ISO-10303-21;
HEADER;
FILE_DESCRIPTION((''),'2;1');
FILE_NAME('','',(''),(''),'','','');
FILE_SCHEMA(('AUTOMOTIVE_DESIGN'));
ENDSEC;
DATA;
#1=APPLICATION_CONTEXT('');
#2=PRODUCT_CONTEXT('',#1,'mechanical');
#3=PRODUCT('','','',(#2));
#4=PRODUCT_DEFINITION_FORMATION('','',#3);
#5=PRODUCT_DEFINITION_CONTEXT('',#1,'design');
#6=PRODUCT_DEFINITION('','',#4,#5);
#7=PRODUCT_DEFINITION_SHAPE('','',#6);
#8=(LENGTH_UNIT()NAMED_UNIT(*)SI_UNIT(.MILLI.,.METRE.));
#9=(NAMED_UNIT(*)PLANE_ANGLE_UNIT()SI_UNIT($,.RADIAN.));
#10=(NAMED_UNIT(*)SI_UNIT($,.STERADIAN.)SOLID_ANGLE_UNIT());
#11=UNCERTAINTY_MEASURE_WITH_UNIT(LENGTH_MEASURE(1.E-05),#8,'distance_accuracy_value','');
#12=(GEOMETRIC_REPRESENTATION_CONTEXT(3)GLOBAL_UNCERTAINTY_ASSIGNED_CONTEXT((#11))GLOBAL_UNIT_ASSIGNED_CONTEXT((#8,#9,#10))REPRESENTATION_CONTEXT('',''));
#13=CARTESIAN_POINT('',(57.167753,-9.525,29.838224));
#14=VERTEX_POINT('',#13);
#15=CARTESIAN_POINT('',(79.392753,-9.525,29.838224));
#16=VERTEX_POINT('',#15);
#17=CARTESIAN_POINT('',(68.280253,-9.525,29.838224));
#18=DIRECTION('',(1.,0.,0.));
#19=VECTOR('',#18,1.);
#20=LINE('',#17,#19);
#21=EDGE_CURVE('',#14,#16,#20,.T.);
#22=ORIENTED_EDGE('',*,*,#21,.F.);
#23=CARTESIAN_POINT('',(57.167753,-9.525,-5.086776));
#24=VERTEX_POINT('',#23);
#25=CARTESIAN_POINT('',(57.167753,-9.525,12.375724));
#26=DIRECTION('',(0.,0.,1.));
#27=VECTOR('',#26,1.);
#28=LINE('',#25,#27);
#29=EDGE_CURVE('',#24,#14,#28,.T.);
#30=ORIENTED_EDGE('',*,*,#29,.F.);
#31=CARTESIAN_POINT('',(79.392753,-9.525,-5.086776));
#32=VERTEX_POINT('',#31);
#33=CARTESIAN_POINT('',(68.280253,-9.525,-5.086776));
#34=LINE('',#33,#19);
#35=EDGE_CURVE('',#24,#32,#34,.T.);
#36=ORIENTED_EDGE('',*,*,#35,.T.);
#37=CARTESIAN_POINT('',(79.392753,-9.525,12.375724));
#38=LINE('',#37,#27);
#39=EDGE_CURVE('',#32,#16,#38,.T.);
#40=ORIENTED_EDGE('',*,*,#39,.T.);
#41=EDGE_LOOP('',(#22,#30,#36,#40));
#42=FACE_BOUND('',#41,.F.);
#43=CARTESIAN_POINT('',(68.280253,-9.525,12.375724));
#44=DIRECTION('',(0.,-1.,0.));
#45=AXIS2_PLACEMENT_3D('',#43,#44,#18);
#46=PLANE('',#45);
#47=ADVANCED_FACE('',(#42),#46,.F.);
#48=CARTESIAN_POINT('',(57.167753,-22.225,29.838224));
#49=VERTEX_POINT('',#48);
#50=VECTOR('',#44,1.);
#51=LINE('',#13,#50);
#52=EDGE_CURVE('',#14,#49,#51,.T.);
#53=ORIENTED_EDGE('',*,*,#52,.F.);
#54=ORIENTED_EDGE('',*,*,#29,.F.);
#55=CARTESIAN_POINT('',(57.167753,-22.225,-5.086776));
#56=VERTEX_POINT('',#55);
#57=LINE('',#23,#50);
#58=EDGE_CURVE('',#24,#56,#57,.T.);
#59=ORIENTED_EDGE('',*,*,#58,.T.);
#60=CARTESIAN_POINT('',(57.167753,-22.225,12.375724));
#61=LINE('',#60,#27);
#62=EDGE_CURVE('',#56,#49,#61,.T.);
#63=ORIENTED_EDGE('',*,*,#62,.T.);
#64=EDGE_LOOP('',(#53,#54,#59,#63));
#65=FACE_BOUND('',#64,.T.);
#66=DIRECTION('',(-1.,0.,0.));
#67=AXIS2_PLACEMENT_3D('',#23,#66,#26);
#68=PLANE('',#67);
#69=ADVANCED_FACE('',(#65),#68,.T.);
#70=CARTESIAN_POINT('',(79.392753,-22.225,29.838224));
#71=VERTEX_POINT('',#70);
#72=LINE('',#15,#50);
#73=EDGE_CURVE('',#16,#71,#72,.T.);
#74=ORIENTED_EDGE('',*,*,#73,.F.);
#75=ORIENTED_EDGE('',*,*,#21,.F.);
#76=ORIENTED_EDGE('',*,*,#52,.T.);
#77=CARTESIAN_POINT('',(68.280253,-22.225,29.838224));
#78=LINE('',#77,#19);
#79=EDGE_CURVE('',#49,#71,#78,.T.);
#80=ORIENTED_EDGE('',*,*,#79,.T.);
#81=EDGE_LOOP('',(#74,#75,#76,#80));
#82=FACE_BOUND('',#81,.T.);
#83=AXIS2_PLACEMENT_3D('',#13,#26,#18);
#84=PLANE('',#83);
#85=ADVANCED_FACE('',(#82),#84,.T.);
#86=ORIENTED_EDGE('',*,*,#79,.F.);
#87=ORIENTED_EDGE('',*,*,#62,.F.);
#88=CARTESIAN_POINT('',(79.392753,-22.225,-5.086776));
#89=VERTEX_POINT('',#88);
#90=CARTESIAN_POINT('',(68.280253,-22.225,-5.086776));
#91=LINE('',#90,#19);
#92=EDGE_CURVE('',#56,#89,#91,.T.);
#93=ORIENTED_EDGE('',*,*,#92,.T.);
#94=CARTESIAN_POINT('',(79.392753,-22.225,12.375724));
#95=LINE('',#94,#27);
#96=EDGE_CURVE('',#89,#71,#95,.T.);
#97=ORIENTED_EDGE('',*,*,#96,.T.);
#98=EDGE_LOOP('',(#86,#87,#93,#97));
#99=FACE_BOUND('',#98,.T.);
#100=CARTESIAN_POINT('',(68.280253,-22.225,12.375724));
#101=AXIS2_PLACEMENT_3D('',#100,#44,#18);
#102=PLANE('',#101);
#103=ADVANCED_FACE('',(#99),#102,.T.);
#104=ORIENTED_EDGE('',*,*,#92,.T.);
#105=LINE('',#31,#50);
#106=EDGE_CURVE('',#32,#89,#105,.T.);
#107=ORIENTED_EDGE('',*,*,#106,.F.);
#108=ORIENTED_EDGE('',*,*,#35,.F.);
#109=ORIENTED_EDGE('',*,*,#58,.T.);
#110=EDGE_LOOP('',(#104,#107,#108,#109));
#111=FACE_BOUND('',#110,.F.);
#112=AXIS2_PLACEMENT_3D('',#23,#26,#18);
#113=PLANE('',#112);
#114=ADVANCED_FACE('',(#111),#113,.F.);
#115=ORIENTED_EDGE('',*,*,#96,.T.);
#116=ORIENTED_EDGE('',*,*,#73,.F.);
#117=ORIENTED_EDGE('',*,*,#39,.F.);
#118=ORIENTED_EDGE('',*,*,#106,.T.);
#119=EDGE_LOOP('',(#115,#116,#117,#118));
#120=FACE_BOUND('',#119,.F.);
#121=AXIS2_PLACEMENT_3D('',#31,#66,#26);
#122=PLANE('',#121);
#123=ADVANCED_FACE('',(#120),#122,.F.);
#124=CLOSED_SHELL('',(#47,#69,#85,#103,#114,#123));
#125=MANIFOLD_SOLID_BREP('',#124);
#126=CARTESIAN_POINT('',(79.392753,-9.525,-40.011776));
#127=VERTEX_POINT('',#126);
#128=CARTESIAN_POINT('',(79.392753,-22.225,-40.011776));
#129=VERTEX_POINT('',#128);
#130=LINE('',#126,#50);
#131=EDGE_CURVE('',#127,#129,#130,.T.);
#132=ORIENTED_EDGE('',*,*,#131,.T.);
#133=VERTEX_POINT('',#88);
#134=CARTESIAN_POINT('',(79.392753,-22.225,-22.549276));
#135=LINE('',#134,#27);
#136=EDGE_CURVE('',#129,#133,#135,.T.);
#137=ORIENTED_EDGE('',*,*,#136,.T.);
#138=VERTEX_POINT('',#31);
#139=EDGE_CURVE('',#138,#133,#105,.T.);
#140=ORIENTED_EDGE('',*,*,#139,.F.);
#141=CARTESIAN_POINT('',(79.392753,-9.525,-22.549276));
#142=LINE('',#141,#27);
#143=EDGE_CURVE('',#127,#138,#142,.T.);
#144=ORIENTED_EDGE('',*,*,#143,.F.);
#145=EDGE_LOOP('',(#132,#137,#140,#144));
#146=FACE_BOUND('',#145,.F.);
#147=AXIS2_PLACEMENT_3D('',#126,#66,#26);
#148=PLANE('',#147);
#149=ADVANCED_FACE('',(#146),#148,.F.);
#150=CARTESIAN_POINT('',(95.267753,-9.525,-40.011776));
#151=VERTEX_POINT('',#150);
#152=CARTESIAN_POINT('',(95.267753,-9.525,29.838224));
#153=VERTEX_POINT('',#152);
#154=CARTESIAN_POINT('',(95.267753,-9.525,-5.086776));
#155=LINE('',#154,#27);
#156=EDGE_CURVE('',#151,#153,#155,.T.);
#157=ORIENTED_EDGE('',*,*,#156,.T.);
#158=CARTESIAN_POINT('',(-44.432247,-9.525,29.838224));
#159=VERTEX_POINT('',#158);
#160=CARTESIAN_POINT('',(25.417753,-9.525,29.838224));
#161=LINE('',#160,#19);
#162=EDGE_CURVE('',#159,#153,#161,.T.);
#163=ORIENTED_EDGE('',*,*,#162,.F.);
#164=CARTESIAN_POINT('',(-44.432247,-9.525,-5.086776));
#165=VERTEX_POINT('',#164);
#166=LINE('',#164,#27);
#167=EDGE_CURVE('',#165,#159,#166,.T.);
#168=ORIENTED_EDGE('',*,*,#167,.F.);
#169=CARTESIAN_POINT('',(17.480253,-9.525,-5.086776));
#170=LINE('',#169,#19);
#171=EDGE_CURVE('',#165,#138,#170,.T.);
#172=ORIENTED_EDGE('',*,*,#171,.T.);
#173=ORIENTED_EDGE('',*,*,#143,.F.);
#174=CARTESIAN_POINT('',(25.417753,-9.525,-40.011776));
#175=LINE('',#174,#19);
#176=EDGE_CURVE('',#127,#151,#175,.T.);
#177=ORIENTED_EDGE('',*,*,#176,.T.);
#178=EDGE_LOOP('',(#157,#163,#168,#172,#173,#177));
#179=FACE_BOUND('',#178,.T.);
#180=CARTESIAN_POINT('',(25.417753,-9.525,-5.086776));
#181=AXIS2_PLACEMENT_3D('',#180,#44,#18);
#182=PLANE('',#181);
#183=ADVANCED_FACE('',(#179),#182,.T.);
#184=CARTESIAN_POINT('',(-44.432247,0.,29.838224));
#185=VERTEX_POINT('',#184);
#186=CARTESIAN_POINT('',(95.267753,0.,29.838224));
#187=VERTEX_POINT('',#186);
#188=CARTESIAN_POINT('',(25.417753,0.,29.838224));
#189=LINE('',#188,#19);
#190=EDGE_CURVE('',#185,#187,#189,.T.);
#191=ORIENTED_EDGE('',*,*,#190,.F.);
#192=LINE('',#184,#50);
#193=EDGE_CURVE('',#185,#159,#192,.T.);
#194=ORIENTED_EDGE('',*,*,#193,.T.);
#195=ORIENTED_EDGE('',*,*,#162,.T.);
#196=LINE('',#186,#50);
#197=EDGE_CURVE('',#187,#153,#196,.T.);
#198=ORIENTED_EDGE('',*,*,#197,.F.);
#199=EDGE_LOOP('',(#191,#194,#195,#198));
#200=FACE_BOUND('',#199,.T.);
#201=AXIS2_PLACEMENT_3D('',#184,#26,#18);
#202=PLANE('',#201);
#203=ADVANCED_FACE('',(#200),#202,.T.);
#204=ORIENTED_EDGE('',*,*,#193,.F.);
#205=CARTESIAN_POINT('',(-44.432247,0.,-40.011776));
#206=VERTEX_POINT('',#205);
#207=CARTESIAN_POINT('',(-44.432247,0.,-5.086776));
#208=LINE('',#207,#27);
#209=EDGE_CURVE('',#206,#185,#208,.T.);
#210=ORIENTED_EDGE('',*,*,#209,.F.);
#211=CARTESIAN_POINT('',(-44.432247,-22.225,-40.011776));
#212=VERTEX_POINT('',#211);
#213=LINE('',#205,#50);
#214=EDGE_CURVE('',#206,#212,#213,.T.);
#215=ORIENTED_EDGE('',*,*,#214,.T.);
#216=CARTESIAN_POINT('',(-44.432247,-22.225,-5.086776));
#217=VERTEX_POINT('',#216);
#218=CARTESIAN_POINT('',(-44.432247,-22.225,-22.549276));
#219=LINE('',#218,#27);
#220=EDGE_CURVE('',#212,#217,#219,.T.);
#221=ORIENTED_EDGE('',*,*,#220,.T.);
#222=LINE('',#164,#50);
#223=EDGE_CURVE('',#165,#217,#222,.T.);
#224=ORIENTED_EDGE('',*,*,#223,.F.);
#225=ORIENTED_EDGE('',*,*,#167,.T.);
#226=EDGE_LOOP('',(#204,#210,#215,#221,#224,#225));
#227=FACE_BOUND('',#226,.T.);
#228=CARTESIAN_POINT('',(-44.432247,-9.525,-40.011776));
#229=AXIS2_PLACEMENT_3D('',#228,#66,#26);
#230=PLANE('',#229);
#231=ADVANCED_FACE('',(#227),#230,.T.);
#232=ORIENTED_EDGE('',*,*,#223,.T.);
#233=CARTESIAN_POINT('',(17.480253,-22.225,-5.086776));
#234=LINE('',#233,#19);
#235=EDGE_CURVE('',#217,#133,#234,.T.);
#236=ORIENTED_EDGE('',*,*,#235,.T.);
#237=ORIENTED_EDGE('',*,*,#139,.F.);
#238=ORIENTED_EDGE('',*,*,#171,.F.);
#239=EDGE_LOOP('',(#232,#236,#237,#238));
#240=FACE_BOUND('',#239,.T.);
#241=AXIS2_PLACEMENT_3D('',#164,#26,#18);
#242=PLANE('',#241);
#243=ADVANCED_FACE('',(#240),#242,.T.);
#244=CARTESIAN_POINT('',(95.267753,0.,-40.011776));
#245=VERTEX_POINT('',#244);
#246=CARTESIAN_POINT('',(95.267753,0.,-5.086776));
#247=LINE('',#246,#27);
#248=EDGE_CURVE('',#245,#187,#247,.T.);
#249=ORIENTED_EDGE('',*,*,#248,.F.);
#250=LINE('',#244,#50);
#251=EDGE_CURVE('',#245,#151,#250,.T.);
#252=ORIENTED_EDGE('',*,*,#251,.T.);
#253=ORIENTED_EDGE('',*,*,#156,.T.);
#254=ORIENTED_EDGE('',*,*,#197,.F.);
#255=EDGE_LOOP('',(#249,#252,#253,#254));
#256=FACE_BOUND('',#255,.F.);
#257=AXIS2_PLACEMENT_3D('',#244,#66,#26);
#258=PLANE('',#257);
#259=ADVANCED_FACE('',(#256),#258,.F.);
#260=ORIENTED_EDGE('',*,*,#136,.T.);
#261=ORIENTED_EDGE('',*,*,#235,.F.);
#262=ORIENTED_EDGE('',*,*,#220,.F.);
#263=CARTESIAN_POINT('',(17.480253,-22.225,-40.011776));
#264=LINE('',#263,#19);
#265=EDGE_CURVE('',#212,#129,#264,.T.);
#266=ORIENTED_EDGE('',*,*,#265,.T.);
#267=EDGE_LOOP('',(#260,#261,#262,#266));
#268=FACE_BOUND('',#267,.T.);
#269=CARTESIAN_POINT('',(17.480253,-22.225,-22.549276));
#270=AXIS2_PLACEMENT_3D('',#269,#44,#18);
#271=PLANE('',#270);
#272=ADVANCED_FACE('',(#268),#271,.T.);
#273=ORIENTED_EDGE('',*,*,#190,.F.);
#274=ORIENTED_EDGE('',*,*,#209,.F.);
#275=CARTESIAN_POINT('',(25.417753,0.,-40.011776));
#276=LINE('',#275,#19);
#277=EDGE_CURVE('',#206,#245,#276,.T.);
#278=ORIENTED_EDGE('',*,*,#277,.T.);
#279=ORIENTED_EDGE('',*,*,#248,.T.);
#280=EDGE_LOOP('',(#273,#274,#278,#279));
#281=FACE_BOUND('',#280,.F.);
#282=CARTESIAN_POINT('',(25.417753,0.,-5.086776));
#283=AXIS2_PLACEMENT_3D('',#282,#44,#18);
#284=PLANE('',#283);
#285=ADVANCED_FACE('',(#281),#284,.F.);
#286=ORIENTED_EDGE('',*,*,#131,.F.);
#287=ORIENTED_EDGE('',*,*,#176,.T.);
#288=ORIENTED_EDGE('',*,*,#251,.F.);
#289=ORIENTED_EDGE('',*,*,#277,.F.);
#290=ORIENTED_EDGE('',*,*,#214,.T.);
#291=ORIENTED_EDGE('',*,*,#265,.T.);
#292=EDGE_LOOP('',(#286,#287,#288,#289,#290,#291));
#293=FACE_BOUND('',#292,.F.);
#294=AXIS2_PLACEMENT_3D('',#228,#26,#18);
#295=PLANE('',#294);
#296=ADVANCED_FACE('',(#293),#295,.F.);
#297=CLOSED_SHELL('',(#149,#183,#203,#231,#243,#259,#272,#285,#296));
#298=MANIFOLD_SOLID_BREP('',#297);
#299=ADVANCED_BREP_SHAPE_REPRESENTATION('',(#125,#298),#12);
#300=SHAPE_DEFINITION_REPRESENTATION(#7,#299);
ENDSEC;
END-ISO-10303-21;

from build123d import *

# Parameters (mm, degrees)
F0_W     = 139.7
F0_H     = 69.85
F1_DEPTH = 9.525
F2_W     = 123.825
F2_H     = 34.925
F3_DEPTH = 12.7
F4_W     = 22.225
F4_H     = 34.925
F5_DEPTH = 12.7


with BuildPart() as f1:
    # F0 (on Front) → F1 (new body)
    with BuildSketch(Plane.XZ):
        with Locations((25.417753, -5.086776)):
            Rectangle(F0_W, F0_H)
    extrude(amount=F1_DEPTH)

    # F2 (on face) → F3 (join)
    with BuildSketch(Plane.XZ.offset(9.525)):
        with Locations((17.480253, -22.549276)):
            Rectangle(F2_W, F2_H)
    extrude(amount=F3_DEPTH)


with BuildPart() as f5:
    # F4 (on face) → F5 (new body)
    with BuildSketch(Plane.XZ.offset(9.525)):
        with Locations((68.280253, 12.375724)):
            Rectangle(F4_W, F4_H)
    extrude(amount=F5_DEPTH)


solid = Compound([f1.part, f5.part])
